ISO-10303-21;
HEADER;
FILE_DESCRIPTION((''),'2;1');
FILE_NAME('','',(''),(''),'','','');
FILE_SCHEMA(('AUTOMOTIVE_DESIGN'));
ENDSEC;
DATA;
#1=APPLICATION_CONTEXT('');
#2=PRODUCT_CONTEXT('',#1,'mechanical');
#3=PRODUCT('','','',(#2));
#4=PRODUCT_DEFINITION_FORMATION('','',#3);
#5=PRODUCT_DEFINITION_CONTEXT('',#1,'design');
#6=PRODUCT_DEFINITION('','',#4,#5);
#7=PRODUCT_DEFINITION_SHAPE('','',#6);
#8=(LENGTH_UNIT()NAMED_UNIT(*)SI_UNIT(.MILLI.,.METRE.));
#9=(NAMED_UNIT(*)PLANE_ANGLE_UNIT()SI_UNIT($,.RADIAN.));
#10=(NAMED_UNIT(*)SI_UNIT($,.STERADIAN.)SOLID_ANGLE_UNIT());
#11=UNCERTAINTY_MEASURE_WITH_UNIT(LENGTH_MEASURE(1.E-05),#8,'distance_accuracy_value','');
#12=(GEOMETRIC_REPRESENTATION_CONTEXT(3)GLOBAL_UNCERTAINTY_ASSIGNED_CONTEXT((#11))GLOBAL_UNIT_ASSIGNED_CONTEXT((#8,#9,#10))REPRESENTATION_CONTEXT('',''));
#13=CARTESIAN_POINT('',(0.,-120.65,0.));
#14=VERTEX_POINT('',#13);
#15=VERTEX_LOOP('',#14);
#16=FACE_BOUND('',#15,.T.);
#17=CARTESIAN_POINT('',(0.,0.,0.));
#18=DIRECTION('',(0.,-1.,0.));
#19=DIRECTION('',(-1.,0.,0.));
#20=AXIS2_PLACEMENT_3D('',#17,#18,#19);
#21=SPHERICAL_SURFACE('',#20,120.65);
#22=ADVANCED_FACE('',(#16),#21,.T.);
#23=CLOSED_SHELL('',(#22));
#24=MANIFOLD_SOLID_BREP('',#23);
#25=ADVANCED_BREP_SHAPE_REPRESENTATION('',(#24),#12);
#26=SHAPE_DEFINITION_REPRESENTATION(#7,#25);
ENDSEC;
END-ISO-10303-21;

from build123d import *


with BuildPart() as part:
    # Sketch1 → Revolve1 (revolve)
    with BuildSketch(Plane.XY):
        with BuildLine():
            Line((0, -120.65), (0, 120.65))
            ThreePointArc((0, 120.65), (120.65, 0), (0, -120.65))
        make_face()
    revolve(axis=Axis((0, -120.65, 0), (0, 1, 0)))


solid = part.part
